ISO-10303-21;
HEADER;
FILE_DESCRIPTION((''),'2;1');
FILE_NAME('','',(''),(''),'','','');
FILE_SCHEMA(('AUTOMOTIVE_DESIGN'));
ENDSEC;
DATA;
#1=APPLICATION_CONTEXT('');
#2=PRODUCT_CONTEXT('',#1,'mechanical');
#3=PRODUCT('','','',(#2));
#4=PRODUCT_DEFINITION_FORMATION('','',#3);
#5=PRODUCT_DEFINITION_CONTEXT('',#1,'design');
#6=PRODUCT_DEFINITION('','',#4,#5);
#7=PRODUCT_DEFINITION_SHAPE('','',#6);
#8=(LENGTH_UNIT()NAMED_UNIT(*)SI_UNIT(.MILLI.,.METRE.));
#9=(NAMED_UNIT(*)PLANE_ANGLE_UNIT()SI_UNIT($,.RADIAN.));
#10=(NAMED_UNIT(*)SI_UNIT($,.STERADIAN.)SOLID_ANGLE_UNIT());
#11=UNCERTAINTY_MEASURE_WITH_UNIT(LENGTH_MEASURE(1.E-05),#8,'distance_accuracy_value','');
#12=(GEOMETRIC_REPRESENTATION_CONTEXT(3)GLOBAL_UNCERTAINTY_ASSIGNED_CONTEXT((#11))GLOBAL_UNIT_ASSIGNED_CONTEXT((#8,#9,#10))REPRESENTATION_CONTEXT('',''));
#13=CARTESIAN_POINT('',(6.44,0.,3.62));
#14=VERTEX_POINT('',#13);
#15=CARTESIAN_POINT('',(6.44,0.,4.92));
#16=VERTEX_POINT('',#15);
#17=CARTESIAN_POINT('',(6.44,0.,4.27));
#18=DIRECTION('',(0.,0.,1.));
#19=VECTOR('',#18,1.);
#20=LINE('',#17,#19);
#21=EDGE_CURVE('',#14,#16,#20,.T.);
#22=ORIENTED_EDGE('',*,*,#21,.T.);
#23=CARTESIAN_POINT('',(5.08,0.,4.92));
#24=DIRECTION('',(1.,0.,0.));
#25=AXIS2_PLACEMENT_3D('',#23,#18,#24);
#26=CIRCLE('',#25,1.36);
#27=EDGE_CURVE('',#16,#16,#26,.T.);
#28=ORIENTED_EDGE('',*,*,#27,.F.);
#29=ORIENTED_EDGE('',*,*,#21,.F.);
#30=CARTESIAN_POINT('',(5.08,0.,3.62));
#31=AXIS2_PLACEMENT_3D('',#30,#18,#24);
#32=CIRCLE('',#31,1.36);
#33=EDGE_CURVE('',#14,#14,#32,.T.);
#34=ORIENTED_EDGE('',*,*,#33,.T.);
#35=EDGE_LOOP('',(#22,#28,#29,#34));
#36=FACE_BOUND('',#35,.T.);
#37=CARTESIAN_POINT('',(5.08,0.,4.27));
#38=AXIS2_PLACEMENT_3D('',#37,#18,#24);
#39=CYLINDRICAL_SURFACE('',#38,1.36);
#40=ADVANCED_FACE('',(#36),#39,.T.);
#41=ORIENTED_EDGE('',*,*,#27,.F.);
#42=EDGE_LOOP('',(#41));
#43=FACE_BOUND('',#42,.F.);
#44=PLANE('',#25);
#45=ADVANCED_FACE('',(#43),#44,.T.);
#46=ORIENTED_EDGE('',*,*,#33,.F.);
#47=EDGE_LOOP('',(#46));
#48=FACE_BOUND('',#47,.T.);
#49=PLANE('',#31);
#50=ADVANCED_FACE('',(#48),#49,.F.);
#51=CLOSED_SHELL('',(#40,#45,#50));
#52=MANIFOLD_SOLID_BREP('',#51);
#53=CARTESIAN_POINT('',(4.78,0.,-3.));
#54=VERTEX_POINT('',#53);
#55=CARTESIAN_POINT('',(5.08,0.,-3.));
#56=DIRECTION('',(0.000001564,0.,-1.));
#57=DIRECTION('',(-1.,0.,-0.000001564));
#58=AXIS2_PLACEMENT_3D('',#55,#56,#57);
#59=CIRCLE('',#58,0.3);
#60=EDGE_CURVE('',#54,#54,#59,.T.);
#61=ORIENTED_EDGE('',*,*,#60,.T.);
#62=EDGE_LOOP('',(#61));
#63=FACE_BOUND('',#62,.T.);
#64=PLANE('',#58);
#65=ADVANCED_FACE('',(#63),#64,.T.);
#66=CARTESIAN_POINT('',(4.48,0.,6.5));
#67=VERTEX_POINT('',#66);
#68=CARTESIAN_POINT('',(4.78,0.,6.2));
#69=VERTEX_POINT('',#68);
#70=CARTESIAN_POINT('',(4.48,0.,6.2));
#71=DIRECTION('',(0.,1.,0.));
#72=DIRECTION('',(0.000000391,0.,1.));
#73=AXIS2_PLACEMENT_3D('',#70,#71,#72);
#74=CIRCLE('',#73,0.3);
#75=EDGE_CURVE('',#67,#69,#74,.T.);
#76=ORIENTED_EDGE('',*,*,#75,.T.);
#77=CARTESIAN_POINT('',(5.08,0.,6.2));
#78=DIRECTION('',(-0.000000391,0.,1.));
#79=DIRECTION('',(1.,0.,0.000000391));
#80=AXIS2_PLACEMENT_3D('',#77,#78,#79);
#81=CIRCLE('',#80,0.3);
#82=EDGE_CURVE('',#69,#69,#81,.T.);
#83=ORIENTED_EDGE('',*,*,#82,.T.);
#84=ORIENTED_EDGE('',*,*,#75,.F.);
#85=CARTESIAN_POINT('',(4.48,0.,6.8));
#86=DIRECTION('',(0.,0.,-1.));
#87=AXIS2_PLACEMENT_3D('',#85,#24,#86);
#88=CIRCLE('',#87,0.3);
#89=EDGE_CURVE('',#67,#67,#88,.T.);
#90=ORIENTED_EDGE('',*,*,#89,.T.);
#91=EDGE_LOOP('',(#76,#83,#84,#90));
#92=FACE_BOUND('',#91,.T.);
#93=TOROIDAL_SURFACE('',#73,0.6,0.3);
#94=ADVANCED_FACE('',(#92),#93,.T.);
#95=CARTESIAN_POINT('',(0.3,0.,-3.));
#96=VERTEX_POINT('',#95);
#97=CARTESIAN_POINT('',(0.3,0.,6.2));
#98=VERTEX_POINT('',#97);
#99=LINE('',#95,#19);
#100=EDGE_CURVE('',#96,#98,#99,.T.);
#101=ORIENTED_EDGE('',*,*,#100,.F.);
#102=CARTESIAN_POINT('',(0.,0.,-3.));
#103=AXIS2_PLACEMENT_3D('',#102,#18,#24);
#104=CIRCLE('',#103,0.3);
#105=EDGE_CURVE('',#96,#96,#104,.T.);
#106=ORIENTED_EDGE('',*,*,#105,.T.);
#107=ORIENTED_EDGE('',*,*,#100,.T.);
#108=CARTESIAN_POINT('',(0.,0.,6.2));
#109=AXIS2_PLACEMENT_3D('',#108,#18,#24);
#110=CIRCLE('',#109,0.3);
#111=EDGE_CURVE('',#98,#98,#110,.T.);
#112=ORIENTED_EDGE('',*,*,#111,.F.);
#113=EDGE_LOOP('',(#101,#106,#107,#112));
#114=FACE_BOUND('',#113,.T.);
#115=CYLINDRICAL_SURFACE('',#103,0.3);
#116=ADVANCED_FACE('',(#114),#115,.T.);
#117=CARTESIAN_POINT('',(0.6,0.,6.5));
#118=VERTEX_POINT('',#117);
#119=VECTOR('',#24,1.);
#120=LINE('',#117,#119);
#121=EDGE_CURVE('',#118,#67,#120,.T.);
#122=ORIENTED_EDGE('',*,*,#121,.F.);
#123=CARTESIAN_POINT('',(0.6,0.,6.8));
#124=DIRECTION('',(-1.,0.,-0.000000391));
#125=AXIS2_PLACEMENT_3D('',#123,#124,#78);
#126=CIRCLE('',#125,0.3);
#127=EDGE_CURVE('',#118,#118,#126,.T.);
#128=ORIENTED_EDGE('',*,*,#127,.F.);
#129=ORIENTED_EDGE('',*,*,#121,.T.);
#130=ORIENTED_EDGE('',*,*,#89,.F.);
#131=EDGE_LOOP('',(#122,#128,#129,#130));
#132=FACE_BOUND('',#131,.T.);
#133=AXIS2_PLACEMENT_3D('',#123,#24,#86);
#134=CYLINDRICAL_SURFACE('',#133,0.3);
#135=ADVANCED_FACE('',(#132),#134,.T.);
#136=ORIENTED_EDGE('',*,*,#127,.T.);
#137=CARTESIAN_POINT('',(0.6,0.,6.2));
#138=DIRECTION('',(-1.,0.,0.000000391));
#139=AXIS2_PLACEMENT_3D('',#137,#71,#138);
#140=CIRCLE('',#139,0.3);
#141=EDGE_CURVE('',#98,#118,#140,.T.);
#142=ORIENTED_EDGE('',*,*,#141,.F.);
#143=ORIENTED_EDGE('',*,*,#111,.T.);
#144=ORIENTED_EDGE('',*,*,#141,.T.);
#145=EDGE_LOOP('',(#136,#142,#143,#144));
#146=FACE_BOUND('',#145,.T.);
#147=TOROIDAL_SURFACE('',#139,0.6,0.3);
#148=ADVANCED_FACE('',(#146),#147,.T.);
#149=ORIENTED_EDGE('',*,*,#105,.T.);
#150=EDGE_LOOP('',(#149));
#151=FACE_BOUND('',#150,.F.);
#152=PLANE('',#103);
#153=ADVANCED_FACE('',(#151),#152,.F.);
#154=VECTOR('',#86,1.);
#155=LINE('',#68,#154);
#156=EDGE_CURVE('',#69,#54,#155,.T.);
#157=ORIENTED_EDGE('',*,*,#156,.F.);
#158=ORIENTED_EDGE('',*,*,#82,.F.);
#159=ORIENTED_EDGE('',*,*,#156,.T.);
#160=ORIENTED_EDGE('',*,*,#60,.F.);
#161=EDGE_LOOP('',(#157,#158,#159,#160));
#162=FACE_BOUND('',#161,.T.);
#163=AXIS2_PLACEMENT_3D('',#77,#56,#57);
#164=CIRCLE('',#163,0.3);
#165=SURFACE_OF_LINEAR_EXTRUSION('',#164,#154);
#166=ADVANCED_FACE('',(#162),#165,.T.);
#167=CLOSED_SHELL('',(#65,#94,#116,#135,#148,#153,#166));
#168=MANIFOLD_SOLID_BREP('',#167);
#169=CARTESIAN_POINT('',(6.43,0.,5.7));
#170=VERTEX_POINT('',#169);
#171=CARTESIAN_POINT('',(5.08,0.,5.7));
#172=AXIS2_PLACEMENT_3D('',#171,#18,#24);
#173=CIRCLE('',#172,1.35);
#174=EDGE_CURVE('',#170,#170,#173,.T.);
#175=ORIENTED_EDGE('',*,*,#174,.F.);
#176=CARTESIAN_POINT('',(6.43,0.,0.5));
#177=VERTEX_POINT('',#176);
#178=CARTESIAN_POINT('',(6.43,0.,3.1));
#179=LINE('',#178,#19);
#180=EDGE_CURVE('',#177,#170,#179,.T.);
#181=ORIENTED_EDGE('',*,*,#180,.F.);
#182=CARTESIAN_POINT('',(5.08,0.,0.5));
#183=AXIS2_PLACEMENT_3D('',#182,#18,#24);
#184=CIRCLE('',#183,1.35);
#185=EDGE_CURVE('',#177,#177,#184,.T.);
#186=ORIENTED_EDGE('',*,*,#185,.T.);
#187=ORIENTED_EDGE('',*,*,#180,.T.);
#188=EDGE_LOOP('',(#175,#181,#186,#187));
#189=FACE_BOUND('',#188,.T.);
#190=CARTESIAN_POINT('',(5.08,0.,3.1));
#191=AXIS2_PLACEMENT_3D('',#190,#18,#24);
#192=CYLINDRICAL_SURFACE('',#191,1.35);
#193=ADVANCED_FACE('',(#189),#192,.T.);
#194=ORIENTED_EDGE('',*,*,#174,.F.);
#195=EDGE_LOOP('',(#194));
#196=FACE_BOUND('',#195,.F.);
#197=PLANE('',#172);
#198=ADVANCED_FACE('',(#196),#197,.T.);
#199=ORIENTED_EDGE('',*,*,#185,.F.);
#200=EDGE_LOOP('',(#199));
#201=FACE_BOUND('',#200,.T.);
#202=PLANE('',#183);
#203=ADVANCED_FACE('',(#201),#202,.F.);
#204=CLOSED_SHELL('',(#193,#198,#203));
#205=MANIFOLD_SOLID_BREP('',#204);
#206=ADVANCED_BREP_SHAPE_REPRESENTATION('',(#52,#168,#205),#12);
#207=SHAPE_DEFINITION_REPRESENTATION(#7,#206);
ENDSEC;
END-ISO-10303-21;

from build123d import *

# Parameters (mm, degrees)
SKETCH001_R = 0.3
SKETCH002_W = 1.35
SKETCH002_H = 5.2
SKETCH003_W = 1.36
SKETCH003_H = 1.3


with BuildPart() as sweep_body:
    # Sweep: sweep along a path in Sketch
    with BuildLine(Plane.XZ) as sweep_path:
        Line((0, -3), (0, 6.2))
        ThreePointArc((0, 6.2), (0.175736, 6.624264), (0.6, 6.8))
        Line((0.6, 6.8), (4.48, 6.8))
        ThreePointArc((4.48, 6.8), (4.904264, 6.624264), (5.08, 6.2))
        Line((5.08, 6.2), (5.08, -3))
    # Sketch001 → Sweep (sweep)
    with BuildSketch(Plane.XY):
        Circle(SKETCH001_R)
    sweep(path=sweep_path.line)


with BuildPart() as revolution:
    # Sketch002 → Revolution (revolve)
    with BuildSketch(Plane.XZ):
        with Locations((5.755, 3.1)):
            Rectangle(SKETCH002_W, SKETCH002_H)
    revolve(axis=Axis((5.08, 0, 0.5), (0, 0, 1)))


with BuildPart() as revolution001:
    # Sketch003 → Revolution001 (revolve)
    with BuildSketch(Plane.XZ):
        with Locations((5.76, 4.27)):
            Rectangle(SKETCH003_W, SKETCH003_H)
    revolve(axis=Axis((5.08, 0, 3.62), (0, 0, 1)))


solid = Compound([sweep_body.part, revolution.part, revolution001.part])
